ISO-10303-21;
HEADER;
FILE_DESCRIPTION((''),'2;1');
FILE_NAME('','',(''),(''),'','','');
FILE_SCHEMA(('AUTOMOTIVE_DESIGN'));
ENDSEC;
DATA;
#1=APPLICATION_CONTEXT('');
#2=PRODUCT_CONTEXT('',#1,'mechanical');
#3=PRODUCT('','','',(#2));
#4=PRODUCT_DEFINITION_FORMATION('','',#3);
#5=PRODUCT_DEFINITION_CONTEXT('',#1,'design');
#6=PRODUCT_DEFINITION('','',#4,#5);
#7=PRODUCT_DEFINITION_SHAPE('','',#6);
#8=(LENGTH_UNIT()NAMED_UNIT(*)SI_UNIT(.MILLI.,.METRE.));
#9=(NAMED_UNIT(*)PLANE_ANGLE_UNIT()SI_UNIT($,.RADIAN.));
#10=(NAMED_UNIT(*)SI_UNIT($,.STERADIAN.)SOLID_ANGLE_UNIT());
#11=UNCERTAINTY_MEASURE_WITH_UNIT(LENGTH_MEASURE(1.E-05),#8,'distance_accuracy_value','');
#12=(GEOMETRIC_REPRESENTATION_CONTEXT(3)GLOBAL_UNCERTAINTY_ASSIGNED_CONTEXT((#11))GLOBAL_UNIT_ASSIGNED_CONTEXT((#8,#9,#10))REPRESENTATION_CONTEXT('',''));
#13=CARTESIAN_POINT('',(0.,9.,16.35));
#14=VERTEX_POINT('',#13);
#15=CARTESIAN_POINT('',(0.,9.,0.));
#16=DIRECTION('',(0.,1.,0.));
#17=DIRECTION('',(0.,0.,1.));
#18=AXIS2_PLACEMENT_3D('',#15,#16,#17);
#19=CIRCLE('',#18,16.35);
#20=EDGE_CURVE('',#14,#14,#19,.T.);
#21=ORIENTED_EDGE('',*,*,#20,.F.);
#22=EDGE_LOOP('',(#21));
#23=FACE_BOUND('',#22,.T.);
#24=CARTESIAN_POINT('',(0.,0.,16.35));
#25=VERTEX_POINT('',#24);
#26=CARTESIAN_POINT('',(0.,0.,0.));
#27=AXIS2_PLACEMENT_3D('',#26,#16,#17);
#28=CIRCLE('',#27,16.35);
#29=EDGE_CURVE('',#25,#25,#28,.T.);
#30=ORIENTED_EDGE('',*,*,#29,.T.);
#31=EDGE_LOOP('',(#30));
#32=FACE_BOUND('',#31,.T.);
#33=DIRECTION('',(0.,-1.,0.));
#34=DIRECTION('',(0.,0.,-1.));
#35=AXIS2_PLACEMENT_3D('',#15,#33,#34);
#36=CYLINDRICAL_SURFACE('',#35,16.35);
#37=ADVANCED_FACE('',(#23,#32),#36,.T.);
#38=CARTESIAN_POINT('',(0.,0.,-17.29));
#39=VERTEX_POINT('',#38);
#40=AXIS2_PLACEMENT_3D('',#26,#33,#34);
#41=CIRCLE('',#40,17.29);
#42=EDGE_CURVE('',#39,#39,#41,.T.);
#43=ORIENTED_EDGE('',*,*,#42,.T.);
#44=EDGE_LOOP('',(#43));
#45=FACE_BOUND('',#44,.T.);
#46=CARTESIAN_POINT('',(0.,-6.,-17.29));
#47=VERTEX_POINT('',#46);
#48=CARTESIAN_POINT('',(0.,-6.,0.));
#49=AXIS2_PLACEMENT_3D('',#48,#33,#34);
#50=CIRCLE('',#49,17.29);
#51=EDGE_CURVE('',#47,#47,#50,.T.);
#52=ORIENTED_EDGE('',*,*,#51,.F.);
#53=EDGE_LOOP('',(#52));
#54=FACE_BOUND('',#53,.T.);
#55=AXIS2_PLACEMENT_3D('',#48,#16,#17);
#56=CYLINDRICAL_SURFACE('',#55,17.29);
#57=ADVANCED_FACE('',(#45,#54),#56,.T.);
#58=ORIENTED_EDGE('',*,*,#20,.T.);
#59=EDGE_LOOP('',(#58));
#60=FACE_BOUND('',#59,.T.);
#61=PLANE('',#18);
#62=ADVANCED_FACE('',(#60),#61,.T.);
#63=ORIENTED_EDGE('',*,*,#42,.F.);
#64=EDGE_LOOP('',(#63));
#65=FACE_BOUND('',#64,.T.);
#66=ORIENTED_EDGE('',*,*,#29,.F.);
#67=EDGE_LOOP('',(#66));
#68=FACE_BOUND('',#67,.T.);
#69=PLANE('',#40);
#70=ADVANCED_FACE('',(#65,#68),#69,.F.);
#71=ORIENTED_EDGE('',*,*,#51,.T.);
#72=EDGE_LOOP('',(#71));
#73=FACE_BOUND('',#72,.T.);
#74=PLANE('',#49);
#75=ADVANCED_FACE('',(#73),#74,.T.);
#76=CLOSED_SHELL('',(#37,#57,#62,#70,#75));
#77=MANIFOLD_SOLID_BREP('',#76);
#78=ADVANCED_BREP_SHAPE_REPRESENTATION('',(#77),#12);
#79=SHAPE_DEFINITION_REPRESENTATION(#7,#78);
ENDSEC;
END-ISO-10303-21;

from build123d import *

# Parameters (mm, degrees)
SKETCH_1_R      = 16.35
EXTRUDE_1_DEPTH = 9
SKETCH_2_R      = 17.29
EXTRUDE_2_DEPTH = 6


with BuildPart() as part:
    # 草图1 → 凸台-拉伸1 (new body)
    with BuildSketch(Plane(origin=(0, 0, 0), x_dir=(1, 0, 0), z_dir=(0, 1, 0))):
        with Locations(Location((0, 0, 0), (0, 0, 270))):
            Circle(SKETCH_1_R)
    extrude(amount=EXTRUDE_1_DEPTH)

    # 草图2 → 凸台-拉伸2 (add)
    with BuildSketch(Plane.XZ):
        with Locations(Location((0, 0, 0), (0, 0, 270))):
            Circle(SKETCH_2_R)
    extrude(amount=EXTRUDE_2_DEPTH)


solid = part.part
